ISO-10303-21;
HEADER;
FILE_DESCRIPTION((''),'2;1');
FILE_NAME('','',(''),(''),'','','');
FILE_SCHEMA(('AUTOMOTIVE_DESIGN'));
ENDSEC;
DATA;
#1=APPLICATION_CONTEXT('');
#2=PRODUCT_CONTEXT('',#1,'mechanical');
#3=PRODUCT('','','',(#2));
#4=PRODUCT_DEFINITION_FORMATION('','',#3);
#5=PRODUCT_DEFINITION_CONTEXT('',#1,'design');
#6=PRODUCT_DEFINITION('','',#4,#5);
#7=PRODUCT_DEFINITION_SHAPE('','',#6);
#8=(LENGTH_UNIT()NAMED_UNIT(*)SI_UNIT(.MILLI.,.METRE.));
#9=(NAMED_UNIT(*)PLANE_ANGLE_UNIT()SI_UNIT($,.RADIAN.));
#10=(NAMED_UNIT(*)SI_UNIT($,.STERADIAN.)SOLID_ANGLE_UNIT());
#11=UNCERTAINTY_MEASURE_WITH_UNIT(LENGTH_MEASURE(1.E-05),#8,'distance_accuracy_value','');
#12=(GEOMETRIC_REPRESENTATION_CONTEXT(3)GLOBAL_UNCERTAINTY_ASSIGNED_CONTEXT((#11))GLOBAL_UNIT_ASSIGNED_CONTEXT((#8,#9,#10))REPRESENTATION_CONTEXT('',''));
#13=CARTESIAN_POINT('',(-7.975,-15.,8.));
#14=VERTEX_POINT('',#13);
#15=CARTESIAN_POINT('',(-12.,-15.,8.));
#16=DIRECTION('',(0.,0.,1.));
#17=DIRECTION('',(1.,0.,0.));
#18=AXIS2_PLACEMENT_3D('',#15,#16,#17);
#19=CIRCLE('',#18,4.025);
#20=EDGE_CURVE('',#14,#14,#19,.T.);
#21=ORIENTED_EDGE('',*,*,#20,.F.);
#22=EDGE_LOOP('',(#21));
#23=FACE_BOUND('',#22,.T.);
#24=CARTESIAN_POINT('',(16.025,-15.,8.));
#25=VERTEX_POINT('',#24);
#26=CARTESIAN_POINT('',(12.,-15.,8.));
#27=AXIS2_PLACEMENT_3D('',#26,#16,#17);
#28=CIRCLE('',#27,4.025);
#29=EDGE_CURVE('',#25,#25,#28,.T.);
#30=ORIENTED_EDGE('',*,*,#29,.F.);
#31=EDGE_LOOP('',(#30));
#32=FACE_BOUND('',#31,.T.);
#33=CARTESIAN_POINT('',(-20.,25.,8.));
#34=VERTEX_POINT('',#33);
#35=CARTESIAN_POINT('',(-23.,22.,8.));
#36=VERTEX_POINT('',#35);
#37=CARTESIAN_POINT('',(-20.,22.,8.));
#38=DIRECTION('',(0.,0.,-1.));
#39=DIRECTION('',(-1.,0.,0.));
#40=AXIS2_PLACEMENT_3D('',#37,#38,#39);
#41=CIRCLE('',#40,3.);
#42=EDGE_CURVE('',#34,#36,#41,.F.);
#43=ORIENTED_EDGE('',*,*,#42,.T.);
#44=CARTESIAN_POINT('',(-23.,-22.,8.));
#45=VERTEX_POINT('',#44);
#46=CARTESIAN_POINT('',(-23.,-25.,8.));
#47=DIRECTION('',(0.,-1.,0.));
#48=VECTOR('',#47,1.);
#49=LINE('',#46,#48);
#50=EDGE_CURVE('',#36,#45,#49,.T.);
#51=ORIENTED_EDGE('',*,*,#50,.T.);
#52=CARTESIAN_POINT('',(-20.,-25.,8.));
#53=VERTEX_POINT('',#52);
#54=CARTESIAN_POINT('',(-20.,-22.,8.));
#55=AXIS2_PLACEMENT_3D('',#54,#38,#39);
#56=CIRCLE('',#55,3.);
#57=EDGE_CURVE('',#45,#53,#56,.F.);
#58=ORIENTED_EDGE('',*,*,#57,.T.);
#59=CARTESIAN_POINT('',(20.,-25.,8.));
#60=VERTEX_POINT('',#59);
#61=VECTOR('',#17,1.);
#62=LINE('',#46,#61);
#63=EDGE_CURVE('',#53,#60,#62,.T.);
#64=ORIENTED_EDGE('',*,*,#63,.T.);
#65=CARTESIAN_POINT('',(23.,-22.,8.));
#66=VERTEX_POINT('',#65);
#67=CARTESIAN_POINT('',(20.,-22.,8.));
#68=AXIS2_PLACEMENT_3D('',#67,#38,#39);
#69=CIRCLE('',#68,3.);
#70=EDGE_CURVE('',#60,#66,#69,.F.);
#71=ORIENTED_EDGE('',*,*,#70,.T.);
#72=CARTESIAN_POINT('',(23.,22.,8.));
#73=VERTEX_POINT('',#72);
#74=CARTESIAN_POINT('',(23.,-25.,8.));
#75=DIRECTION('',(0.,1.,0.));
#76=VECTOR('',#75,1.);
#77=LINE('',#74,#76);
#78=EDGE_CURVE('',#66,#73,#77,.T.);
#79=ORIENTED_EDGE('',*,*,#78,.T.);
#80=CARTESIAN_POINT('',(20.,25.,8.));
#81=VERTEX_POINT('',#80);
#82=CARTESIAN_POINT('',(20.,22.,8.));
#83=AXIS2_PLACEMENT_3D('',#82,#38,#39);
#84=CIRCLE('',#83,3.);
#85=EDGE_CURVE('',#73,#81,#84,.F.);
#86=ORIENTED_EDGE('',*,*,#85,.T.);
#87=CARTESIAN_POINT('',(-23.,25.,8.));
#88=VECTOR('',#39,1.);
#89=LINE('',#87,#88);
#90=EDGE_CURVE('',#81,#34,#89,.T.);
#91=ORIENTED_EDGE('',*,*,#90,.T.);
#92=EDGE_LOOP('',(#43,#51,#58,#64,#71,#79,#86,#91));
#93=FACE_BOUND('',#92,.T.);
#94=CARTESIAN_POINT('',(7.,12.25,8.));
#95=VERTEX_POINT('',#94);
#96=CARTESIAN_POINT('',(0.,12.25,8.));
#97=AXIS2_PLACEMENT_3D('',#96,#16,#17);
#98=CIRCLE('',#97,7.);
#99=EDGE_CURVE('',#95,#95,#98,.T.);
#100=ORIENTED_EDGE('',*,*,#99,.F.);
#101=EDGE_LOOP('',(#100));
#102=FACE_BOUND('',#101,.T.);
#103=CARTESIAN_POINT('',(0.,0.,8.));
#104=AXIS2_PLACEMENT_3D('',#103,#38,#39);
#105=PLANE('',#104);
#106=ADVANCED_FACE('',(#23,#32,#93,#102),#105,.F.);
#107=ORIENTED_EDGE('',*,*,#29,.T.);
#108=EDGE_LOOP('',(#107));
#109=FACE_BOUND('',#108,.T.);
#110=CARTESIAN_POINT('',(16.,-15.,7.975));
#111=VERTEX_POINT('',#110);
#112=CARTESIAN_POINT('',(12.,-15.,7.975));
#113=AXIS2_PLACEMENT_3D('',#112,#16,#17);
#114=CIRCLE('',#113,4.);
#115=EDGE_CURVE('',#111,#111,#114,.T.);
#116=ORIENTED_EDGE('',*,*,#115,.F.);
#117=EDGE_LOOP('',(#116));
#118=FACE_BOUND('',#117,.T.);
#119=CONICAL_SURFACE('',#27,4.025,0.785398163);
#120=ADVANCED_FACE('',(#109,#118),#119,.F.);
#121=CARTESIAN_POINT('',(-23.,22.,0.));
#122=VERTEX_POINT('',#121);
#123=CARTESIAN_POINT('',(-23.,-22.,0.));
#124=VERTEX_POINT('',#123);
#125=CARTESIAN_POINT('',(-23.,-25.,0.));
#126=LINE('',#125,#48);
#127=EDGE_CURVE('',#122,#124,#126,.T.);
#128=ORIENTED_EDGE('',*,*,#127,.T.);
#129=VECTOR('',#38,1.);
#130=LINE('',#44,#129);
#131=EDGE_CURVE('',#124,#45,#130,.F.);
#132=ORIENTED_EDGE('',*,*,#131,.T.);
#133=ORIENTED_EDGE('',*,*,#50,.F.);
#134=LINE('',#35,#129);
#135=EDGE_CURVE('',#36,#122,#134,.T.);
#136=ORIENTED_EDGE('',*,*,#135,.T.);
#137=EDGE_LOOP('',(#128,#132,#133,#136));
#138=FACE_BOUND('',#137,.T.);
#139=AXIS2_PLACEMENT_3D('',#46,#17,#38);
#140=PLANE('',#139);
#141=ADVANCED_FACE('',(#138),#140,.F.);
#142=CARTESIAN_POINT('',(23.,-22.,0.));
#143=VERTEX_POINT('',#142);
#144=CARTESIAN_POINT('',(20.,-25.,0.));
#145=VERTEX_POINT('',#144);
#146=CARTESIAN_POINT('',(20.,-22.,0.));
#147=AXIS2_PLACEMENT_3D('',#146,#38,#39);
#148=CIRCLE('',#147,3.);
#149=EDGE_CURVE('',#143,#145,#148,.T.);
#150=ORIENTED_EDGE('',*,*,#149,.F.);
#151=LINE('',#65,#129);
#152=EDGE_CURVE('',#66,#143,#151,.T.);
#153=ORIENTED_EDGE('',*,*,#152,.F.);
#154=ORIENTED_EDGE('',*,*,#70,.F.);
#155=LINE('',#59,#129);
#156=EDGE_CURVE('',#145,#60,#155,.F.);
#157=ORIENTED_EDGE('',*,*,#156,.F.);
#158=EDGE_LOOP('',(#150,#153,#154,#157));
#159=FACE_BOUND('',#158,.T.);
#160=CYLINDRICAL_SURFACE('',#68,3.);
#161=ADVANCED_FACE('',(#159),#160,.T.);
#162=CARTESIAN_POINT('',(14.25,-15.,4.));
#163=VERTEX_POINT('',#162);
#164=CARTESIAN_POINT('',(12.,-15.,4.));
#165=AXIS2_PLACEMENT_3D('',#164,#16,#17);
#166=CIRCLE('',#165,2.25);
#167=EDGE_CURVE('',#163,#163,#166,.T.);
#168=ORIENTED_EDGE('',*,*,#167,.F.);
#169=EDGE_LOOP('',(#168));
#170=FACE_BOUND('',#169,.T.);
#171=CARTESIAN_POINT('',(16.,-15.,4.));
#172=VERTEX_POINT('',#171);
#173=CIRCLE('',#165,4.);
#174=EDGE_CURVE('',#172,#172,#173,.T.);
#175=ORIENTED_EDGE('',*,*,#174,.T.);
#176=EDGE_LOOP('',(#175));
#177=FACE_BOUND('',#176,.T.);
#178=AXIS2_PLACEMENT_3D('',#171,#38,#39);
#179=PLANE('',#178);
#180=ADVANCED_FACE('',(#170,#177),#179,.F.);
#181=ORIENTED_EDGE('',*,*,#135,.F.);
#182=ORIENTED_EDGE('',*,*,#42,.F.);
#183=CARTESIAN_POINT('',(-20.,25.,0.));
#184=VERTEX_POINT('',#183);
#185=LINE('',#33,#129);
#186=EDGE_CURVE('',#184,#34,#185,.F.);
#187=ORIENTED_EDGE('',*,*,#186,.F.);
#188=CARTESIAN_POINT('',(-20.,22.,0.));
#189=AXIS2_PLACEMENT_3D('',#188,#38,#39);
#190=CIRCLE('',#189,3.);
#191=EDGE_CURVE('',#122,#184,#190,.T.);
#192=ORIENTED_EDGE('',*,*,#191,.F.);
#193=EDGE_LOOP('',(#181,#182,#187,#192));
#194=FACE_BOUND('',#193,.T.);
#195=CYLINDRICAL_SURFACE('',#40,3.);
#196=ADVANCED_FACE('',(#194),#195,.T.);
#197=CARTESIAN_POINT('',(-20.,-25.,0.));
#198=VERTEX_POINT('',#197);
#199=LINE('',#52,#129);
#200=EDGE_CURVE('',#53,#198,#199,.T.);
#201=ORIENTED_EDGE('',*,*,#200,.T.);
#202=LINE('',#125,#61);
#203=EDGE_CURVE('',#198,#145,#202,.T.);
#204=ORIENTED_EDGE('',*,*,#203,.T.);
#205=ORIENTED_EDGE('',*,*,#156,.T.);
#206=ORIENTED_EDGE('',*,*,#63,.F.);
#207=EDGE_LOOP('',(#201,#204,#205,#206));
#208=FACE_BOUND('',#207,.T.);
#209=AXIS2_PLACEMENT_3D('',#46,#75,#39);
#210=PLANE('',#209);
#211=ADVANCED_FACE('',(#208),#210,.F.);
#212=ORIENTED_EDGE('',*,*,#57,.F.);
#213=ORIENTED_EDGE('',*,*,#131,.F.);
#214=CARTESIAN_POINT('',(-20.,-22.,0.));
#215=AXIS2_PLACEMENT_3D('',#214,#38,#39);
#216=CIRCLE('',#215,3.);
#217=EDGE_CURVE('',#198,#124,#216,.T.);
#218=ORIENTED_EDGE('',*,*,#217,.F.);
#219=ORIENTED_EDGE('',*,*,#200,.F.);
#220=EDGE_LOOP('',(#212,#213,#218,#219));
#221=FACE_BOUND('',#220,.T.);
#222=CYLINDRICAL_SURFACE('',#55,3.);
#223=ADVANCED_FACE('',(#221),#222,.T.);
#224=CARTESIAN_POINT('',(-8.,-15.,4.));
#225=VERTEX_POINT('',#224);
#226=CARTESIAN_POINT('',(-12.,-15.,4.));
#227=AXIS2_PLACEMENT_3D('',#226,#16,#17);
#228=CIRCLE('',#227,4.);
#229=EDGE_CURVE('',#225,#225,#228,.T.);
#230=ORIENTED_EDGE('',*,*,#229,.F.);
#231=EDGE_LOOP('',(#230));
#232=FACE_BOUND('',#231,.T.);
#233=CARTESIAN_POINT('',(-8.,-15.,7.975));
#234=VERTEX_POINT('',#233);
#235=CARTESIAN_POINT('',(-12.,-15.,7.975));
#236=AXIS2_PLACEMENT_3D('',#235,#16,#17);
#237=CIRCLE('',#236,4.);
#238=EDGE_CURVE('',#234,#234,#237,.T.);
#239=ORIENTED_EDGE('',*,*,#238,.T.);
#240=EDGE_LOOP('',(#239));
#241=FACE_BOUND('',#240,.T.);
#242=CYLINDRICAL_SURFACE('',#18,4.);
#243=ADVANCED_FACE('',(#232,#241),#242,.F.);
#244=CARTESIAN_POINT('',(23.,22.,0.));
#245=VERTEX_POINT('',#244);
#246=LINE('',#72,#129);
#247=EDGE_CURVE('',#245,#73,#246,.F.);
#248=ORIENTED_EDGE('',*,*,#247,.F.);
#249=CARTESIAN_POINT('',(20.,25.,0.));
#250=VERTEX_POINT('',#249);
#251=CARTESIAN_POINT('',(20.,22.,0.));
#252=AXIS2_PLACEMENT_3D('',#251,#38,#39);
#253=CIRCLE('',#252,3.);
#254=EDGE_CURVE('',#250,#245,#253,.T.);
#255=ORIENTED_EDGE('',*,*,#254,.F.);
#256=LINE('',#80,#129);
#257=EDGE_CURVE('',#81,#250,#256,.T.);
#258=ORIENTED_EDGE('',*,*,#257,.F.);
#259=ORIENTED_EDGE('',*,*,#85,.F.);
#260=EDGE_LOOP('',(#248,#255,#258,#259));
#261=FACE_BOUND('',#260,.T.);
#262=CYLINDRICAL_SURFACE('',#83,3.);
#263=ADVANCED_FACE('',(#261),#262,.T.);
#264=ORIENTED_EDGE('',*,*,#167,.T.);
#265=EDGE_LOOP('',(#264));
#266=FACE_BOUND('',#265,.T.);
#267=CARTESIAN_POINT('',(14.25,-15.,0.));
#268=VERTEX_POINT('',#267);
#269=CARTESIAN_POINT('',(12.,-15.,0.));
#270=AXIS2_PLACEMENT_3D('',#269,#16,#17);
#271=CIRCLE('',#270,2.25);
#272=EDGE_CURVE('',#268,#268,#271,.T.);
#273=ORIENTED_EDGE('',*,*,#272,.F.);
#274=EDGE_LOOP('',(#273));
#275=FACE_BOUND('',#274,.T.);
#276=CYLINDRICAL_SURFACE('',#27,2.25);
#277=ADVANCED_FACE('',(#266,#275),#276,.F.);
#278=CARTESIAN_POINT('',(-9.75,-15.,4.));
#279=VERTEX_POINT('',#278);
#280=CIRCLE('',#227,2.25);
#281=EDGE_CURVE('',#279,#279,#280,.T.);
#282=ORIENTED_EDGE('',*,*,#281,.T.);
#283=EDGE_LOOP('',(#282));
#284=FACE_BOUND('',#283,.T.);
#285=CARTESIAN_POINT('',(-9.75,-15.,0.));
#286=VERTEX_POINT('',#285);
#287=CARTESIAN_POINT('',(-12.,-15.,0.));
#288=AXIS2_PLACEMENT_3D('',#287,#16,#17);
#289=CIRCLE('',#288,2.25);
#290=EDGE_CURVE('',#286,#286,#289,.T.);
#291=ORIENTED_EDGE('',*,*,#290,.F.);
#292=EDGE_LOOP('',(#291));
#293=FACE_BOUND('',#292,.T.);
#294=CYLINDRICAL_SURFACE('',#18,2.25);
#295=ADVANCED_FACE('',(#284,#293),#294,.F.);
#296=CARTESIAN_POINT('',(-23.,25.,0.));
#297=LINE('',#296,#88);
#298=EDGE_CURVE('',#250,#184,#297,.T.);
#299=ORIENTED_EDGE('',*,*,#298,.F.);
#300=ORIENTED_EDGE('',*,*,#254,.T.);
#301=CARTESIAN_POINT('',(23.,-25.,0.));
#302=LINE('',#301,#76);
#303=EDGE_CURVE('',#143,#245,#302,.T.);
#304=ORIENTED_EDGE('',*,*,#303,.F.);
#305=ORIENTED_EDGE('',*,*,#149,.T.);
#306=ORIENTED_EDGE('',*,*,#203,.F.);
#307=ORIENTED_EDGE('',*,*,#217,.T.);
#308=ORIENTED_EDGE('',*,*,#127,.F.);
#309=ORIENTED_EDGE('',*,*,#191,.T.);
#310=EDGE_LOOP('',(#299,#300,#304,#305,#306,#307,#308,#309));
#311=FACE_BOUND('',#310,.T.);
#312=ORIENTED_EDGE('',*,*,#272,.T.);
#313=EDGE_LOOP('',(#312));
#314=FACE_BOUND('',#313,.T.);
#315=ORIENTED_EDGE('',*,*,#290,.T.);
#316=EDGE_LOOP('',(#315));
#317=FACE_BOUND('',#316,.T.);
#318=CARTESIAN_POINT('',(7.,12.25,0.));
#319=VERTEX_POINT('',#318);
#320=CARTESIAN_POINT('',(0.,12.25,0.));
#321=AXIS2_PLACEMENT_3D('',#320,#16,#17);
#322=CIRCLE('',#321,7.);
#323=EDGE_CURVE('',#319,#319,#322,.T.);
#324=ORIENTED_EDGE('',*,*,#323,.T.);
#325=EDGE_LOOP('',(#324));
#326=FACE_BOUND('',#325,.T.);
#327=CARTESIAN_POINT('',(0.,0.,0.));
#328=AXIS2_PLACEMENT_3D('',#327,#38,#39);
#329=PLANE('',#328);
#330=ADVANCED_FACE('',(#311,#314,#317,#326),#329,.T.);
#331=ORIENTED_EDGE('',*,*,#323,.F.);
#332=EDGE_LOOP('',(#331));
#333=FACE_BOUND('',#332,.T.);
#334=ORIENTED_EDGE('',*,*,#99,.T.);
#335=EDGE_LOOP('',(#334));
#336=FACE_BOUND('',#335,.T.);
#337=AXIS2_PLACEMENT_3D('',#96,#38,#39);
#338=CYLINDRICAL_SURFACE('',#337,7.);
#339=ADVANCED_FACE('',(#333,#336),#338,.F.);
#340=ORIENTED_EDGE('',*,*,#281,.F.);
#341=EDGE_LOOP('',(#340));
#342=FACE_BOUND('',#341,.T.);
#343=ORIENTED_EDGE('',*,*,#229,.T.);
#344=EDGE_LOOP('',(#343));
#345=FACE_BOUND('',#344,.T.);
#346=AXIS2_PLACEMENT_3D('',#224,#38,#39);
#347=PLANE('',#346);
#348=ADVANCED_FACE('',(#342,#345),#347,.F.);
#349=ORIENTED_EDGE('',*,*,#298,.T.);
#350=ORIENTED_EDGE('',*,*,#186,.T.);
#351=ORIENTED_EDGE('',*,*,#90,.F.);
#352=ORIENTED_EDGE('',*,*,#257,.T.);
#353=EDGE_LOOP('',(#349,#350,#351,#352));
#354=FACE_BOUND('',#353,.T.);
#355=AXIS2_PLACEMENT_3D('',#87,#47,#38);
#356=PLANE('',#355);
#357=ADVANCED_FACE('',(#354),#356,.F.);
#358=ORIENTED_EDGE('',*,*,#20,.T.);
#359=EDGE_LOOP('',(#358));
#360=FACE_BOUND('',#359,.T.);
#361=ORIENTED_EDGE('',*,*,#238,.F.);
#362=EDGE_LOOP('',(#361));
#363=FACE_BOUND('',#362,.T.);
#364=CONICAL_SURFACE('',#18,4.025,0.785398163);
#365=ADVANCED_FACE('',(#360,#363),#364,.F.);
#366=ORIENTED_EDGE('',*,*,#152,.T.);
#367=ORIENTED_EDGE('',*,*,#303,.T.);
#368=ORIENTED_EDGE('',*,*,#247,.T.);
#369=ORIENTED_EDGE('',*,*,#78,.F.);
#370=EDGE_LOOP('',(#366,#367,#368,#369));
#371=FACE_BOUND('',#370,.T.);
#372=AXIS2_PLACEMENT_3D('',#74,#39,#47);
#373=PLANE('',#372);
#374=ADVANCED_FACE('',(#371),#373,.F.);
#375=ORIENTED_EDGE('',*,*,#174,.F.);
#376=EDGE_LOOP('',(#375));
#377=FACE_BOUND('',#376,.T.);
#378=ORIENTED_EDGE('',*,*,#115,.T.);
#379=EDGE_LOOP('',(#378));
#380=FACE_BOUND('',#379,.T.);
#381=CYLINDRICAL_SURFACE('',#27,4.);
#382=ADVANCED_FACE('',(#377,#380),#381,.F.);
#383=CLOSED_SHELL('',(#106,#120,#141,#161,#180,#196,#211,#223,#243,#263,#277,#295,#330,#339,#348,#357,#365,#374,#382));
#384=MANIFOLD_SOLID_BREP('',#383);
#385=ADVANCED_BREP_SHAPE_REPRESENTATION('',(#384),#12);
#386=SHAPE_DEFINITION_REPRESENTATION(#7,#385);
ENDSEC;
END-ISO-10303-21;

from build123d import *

# Parameters (mm, degrees)
SKETCH1_W                     = 46
SKETCH1_H                     = 50
SKETCH1_R                     = 7
BOSS_EXTRUDE1_DEPTH           = 8
FILLET1_R                     = 3
CBORE_FOR_M4_SHCS1_AT_2_COUNT = 2
CBORE_FOR_M4_SHCS1_AT_2_PITCH = 24


with BuildPart() as part:
    # Sketch1 → Boss-Extrude1 (new body)
    with BuildSketch(Plane.XY):
        Rectangle(SKETCH1_W, SKETCH1_H)
        with Locations((0, 12.25)):
            Circle(SKETCH1_R, mode=Mode.SUBTRACT)
    extrude(amount=BOSS_EXTRUDE1_DEPTH)

    # Fillet1
    fillet1_edges = [part.edges().sort_by_distance(p)[0] for p in [
        (23, -25, 4),
        (-23, -25, 4),
        (-23, 25, 4),
        (23, 25, 4),
    ]]
    fillet(fillet1_edges, radius=FILLET1_R)

    # Sketch3 → CBORE for M4 SHCS1 (revolve, cut)
    with BuildSketch(Plane(origin=(-12, -15, 8), x_dir=(0, -1, 0), z_dir=(1, 0, 0))):
        Polygon((0, 0), (0, 8), (2.25, 8), (2.25, 4), (4, 4), (4, 0.025), (4.025, 0), align=None)
    cbore_for_m4_shcs1 = revolve(axis=Axis((-12, -15, 14.35), (0, 0, -1)), mode=Mode.SUBTRACT)

    # CBORE for M4 SHCS1 at 2: CBORE for M4 SHCS1 ×2
    with Locations(*[(i * CBORE_FOR_M4_SHCS1_AT_2_PITCH, 0, 0) for i in range(1, CBORE_FOR_M4_SHCS1_AT_2_COUNT)]):
        add(cbore_for_m4_shcs1, mode=Mode.SUBTRACT)


solid = part.part
